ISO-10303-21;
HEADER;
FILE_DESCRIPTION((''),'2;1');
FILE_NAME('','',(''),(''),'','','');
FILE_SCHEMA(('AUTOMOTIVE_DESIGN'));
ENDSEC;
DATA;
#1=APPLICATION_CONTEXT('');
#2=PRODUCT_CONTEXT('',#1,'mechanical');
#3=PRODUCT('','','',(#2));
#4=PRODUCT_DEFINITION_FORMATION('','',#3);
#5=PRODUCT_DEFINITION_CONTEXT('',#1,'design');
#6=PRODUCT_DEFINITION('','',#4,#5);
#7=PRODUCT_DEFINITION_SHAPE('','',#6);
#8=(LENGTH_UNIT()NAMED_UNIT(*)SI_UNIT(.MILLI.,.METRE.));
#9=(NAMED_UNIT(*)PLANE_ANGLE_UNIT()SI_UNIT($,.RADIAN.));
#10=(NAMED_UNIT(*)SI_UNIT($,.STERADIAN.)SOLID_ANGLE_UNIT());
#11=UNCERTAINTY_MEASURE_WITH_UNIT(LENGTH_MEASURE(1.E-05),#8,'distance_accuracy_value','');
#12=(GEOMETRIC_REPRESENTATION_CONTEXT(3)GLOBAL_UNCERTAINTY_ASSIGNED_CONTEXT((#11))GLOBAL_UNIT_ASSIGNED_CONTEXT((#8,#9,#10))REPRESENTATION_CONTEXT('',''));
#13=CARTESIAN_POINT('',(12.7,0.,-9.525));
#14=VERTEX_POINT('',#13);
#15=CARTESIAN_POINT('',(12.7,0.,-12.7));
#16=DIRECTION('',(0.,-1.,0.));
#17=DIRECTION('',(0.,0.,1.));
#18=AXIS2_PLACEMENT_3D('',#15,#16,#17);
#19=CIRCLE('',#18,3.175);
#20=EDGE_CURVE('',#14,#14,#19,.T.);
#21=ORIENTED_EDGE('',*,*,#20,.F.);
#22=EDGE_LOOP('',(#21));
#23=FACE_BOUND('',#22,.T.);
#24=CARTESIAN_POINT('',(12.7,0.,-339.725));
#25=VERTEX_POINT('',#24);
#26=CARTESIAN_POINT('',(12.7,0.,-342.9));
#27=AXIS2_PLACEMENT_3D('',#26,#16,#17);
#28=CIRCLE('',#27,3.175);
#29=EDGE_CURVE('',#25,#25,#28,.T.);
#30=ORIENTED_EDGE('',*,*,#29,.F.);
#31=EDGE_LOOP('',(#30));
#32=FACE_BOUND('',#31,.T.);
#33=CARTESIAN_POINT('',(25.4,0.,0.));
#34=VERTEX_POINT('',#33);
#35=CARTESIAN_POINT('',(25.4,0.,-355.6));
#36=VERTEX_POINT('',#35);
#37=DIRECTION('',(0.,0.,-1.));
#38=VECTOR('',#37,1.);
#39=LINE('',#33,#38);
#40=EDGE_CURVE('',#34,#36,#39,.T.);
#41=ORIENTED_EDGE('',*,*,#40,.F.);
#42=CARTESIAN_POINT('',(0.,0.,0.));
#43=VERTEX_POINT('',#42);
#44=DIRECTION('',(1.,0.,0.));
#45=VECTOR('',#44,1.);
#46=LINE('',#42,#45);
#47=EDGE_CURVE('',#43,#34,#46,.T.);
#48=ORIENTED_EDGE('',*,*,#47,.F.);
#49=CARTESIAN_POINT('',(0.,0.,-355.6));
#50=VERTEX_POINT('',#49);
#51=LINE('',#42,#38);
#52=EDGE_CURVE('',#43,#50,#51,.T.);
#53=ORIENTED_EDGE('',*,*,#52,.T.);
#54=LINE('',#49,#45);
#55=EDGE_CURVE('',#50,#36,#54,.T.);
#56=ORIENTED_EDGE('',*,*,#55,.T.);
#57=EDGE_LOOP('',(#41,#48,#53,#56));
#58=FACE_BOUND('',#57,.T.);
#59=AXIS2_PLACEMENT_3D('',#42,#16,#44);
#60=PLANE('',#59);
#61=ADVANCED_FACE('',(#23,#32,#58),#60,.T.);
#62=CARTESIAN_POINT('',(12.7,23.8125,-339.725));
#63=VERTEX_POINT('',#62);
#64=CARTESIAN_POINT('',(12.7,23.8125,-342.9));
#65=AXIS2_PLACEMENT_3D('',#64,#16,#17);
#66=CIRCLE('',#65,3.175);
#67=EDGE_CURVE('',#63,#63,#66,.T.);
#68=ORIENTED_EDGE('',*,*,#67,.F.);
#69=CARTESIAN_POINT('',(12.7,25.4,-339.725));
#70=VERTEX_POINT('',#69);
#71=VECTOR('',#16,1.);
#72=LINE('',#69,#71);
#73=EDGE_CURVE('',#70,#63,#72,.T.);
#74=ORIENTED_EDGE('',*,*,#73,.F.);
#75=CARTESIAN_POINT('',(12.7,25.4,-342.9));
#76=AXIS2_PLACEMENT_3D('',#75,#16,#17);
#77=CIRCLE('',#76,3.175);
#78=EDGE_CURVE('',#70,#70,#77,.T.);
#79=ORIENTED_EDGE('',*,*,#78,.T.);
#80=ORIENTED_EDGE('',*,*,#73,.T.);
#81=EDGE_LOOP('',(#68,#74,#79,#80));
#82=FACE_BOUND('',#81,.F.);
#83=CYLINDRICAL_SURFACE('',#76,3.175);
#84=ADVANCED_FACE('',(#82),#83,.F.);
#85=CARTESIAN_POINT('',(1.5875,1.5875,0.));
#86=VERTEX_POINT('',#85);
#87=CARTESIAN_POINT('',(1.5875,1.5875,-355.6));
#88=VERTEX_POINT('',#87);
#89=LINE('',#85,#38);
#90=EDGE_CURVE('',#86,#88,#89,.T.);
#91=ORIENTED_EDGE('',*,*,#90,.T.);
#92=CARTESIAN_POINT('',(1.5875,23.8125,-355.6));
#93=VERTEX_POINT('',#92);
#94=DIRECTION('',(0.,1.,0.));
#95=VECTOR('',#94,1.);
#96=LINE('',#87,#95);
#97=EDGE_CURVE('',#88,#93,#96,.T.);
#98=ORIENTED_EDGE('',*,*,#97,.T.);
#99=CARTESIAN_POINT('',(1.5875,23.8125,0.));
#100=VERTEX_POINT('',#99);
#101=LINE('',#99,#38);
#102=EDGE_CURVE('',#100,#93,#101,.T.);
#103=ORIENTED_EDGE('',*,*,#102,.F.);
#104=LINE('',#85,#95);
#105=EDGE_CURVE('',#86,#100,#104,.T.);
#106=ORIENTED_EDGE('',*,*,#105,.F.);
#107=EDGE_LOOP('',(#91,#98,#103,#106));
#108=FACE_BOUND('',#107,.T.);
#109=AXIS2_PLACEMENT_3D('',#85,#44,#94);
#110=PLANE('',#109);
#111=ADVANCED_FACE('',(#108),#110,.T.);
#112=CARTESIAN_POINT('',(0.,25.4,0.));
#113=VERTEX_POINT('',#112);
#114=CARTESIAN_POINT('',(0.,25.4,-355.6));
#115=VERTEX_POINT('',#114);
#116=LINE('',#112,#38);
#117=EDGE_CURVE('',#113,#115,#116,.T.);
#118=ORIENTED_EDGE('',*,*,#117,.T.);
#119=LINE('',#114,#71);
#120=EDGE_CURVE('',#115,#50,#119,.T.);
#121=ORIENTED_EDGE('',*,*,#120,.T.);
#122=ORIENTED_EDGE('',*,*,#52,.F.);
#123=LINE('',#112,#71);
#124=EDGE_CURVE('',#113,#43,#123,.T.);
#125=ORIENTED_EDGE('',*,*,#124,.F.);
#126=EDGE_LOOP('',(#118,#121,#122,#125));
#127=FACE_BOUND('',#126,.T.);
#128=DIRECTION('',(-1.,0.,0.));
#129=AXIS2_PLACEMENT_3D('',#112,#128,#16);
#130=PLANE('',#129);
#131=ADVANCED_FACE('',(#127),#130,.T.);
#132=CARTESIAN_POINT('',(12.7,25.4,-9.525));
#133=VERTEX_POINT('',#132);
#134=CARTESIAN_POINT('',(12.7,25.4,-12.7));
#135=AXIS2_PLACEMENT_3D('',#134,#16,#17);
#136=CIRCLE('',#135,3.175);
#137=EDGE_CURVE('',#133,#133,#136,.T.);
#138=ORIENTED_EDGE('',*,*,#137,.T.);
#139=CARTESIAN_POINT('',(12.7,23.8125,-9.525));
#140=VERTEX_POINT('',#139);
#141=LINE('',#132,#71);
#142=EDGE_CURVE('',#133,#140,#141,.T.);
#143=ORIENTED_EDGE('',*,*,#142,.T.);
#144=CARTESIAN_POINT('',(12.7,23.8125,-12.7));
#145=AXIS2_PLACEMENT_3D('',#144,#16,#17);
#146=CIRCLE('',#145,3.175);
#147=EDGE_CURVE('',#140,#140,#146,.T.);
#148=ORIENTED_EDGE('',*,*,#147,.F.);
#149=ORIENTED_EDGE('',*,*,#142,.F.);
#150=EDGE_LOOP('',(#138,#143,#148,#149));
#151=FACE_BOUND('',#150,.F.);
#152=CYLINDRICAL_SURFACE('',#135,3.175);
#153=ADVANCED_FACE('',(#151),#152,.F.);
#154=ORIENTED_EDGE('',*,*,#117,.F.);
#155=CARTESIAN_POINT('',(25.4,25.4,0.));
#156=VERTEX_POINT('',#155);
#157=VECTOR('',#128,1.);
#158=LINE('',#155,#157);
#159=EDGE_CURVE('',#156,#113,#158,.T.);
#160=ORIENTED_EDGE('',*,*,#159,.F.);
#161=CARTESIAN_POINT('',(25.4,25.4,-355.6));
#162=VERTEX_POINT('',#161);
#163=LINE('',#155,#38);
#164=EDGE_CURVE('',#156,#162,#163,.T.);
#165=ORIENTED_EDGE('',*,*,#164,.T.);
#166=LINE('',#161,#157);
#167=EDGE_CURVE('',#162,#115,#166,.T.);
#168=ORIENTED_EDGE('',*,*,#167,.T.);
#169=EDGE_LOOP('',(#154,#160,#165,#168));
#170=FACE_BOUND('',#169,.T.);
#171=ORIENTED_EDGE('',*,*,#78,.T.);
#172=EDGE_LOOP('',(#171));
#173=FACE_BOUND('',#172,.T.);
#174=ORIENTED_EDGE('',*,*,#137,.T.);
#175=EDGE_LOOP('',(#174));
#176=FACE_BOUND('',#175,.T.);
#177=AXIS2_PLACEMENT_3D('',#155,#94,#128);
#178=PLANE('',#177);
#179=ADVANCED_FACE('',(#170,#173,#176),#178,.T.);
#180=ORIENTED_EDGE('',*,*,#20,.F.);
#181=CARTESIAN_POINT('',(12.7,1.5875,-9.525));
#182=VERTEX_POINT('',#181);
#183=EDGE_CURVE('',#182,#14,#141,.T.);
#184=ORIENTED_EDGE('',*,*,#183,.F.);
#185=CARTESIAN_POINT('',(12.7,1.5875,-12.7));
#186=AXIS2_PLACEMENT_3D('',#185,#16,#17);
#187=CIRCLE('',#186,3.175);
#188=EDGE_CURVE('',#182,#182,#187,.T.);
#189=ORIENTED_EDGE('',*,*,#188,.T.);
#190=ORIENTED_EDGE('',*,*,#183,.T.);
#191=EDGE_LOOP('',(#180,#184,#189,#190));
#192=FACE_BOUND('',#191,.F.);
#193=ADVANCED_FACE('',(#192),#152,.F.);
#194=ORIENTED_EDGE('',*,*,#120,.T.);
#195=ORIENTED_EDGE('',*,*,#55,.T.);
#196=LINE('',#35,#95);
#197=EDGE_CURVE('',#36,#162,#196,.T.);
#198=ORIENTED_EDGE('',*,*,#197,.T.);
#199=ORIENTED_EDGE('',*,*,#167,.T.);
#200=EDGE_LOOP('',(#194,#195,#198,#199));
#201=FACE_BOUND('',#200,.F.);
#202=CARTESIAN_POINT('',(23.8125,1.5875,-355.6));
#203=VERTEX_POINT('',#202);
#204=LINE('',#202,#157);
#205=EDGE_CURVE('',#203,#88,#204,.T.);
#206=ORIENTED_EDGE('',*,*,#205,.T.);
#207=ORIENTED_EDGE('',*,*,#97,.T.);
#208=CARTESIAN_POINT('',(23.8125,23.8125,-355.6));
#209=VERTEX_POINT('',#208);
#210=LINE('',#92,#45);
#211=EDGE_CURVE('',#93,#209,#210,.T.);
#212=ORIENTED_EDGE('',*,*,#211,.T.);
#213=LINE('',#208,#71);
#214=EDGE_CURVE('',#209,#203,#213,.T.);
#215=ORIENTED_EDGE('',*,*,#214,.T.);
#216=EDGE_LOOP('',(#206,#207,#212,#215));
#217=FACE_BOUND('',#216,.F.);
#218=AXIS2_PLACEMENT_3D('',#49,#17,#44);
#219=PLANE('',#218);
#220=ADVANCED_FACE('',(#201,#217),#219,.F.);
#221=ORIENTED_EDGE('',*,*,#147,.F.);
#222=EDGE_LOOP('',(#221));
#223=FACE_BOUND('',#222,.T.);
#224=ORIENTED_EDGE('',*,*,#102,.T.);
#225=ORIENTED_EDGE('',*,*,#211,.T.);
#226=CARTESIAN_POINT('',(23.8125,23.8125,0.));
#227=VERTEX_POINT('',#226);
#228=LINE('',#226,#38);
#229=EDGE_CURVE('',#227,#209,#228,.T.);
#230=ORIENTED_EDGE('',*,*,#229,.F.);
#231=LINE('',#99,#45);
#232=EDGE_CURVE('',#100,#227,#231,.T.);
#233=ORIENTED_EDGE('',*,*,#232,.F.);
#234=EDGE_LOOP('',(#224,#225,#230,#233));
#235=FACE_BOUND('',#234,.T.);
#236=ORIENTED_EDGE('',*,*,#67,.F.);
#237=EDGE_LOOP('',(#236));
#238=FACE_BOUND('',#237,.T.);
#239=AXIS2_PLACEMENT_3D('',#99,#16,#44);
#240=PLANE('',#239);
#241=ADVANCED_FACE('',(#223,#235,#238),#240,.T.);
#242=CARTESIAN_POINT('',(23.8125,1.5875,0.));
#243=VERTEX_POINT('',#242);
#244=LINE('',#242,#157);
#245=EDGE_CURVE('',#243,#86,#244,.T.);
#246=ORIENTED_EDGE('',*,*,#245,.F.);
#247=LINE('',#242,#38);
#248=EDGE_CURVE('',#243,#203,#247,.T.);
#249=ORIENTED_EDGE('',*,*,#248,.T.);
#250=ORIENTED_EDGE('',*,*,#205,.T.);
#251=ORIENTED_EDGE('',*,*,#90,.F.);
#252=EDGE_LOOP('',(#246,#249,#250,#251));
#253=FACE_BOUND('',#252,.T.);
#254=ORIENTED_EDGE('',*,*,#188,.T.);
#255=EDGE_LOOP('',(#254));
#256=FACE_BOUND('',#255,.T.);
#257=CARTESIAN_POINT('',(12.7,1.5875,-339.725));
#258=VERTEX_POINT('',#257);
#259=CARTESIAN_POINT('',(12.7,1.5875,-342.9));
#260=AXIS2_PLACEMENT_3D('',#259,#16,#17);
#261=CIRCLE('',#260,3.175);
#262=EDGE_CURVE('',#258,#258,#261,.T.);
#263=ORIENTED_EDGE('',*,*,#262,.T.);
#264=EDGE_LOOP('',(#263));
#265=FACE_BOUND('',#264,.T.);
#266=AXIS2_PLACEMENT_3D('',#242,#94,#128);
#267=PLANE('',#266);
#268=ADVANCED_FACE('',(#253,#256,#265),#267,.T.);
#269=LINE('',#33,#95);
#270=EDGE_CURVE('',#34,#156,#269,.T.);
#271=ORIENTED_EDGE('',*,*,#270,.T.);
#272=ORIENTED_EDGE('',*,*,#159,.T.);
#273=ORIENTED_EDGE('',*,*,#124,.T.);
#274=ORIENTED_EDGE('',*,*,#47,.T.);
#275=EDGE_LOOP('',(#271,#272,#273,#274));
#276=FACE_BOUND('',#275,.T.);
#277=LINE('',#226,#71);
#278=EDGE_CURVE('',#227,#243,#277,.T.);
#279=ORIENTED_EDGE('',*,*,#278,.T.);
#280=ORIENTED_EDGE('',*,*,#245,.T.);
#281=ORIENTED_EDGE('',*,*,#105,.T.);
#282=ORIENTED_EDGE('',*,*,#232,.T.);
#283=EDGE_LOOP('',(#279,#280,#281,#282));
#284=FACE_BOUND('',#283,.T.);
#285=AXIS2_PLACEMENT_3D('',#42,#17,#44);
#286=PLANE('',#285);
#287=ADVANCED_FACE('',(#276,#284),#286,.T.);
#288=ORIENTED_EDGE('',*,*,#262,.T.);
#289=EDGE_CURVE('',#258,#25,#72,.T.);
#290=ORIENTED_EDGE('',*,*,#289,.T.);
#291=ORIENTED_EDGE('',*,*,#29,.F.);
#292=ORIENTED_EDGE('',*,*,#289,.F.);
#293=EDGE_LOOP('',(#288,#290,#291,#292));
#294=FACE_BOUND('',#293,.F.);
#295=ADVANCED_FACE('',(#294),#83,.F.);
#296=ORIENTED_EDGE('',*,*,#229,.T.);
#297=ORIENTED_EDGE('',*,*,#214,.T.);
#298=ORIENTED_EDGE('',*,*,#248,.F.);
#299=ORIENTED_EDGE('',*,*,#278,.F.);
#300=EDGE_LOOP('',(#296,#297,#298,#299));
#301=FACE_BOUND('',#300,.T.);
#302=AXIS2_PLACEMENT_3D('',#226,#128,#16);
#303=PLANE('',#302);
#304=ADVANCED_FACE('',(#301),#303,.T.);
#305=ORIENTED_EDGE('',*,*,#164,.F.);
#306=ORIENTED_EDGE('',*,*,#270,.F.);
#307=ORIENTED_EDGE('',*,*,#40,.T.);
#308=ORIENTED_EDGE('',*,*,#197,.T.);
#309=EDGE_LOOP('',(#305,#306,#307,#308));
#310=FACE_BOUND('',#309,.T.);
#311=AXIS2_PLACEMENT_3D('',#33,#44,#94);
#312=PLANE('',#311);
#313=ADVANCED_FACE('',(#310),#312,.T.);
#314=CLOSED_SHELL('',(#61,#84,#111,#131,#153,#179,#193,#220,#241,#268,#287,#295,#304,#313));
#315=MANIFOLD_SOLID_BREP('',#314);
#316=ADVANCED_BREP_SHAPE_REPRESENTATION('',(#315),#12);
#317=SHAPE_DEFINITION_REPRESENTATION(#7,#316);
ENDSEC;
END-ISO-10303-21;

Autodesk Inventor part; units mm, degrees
ref_plane "YZ Plane" through (0, 0, 0) normal (1, 0, 0) x (0, 1, 0)
ref_plane "XZ Plane" through (0, 0, 0) normal (0, 1, 0) x (-1, 0, 0)
ref_plane "XY Plane" through (0, 0, 0) normal (0, 0, 1) x (1, 0, 0)
sketch "Sketch1" plane through (0, 0, 0) normal (0, 0, 1) x (1, 0, 0)
  line L0 (0, 0) -> (25.4, 0)
  line L1 (25.4, 0) -> (25.4, 25.4)
  line L2 (25.4, 25.4) -> (0, 25.4)
  line L3 (0, 25.4) -> (0, 0)
  line L4 (1.5875, 23.8125) -> (23.8125, 23.8125)
  line L5 (23.8125, 23.8125) -> (23.8125, 1.5875)
  line L6 (23.8125, 1.5875) -> (1.5875, 1.5875)
  line L7 (1.5875, 1.5875) -> (1.5875, 23.8125)
  dimension "d0" = 25.4
  dimension "d1" = 25.4
  dimension "d2" = 1.5875
extrude "Extrusion1" add sketch "Sketch1" against normal blind 355.6
sketch "Sketch2" plane through (0, 25.4, 0) normal (0, 1, 0) x (1, 0, 0)
  line L0 (25.4, 355.6) -> (0, 355.6) projected
  line L1 (0, 0) -> (0, 355.6) projected
  line L2 (25.4, 0) -> (0, 0) projected
  point P0 (12.7, 12.7)
  point P1 (12.7, 342.9)
  dimension "d5" = 12.7
  dimension "d6" = 12.7
  dimension "d7" = 12.7
hole "Hole1" at (12.7, 25.4, -12.7) at (12.7, 25.4, -342.9) direction (0, -1, 0) diameter 6.35 depth 25.4 tip angle 118
properties part number "tube_m_l_in"
